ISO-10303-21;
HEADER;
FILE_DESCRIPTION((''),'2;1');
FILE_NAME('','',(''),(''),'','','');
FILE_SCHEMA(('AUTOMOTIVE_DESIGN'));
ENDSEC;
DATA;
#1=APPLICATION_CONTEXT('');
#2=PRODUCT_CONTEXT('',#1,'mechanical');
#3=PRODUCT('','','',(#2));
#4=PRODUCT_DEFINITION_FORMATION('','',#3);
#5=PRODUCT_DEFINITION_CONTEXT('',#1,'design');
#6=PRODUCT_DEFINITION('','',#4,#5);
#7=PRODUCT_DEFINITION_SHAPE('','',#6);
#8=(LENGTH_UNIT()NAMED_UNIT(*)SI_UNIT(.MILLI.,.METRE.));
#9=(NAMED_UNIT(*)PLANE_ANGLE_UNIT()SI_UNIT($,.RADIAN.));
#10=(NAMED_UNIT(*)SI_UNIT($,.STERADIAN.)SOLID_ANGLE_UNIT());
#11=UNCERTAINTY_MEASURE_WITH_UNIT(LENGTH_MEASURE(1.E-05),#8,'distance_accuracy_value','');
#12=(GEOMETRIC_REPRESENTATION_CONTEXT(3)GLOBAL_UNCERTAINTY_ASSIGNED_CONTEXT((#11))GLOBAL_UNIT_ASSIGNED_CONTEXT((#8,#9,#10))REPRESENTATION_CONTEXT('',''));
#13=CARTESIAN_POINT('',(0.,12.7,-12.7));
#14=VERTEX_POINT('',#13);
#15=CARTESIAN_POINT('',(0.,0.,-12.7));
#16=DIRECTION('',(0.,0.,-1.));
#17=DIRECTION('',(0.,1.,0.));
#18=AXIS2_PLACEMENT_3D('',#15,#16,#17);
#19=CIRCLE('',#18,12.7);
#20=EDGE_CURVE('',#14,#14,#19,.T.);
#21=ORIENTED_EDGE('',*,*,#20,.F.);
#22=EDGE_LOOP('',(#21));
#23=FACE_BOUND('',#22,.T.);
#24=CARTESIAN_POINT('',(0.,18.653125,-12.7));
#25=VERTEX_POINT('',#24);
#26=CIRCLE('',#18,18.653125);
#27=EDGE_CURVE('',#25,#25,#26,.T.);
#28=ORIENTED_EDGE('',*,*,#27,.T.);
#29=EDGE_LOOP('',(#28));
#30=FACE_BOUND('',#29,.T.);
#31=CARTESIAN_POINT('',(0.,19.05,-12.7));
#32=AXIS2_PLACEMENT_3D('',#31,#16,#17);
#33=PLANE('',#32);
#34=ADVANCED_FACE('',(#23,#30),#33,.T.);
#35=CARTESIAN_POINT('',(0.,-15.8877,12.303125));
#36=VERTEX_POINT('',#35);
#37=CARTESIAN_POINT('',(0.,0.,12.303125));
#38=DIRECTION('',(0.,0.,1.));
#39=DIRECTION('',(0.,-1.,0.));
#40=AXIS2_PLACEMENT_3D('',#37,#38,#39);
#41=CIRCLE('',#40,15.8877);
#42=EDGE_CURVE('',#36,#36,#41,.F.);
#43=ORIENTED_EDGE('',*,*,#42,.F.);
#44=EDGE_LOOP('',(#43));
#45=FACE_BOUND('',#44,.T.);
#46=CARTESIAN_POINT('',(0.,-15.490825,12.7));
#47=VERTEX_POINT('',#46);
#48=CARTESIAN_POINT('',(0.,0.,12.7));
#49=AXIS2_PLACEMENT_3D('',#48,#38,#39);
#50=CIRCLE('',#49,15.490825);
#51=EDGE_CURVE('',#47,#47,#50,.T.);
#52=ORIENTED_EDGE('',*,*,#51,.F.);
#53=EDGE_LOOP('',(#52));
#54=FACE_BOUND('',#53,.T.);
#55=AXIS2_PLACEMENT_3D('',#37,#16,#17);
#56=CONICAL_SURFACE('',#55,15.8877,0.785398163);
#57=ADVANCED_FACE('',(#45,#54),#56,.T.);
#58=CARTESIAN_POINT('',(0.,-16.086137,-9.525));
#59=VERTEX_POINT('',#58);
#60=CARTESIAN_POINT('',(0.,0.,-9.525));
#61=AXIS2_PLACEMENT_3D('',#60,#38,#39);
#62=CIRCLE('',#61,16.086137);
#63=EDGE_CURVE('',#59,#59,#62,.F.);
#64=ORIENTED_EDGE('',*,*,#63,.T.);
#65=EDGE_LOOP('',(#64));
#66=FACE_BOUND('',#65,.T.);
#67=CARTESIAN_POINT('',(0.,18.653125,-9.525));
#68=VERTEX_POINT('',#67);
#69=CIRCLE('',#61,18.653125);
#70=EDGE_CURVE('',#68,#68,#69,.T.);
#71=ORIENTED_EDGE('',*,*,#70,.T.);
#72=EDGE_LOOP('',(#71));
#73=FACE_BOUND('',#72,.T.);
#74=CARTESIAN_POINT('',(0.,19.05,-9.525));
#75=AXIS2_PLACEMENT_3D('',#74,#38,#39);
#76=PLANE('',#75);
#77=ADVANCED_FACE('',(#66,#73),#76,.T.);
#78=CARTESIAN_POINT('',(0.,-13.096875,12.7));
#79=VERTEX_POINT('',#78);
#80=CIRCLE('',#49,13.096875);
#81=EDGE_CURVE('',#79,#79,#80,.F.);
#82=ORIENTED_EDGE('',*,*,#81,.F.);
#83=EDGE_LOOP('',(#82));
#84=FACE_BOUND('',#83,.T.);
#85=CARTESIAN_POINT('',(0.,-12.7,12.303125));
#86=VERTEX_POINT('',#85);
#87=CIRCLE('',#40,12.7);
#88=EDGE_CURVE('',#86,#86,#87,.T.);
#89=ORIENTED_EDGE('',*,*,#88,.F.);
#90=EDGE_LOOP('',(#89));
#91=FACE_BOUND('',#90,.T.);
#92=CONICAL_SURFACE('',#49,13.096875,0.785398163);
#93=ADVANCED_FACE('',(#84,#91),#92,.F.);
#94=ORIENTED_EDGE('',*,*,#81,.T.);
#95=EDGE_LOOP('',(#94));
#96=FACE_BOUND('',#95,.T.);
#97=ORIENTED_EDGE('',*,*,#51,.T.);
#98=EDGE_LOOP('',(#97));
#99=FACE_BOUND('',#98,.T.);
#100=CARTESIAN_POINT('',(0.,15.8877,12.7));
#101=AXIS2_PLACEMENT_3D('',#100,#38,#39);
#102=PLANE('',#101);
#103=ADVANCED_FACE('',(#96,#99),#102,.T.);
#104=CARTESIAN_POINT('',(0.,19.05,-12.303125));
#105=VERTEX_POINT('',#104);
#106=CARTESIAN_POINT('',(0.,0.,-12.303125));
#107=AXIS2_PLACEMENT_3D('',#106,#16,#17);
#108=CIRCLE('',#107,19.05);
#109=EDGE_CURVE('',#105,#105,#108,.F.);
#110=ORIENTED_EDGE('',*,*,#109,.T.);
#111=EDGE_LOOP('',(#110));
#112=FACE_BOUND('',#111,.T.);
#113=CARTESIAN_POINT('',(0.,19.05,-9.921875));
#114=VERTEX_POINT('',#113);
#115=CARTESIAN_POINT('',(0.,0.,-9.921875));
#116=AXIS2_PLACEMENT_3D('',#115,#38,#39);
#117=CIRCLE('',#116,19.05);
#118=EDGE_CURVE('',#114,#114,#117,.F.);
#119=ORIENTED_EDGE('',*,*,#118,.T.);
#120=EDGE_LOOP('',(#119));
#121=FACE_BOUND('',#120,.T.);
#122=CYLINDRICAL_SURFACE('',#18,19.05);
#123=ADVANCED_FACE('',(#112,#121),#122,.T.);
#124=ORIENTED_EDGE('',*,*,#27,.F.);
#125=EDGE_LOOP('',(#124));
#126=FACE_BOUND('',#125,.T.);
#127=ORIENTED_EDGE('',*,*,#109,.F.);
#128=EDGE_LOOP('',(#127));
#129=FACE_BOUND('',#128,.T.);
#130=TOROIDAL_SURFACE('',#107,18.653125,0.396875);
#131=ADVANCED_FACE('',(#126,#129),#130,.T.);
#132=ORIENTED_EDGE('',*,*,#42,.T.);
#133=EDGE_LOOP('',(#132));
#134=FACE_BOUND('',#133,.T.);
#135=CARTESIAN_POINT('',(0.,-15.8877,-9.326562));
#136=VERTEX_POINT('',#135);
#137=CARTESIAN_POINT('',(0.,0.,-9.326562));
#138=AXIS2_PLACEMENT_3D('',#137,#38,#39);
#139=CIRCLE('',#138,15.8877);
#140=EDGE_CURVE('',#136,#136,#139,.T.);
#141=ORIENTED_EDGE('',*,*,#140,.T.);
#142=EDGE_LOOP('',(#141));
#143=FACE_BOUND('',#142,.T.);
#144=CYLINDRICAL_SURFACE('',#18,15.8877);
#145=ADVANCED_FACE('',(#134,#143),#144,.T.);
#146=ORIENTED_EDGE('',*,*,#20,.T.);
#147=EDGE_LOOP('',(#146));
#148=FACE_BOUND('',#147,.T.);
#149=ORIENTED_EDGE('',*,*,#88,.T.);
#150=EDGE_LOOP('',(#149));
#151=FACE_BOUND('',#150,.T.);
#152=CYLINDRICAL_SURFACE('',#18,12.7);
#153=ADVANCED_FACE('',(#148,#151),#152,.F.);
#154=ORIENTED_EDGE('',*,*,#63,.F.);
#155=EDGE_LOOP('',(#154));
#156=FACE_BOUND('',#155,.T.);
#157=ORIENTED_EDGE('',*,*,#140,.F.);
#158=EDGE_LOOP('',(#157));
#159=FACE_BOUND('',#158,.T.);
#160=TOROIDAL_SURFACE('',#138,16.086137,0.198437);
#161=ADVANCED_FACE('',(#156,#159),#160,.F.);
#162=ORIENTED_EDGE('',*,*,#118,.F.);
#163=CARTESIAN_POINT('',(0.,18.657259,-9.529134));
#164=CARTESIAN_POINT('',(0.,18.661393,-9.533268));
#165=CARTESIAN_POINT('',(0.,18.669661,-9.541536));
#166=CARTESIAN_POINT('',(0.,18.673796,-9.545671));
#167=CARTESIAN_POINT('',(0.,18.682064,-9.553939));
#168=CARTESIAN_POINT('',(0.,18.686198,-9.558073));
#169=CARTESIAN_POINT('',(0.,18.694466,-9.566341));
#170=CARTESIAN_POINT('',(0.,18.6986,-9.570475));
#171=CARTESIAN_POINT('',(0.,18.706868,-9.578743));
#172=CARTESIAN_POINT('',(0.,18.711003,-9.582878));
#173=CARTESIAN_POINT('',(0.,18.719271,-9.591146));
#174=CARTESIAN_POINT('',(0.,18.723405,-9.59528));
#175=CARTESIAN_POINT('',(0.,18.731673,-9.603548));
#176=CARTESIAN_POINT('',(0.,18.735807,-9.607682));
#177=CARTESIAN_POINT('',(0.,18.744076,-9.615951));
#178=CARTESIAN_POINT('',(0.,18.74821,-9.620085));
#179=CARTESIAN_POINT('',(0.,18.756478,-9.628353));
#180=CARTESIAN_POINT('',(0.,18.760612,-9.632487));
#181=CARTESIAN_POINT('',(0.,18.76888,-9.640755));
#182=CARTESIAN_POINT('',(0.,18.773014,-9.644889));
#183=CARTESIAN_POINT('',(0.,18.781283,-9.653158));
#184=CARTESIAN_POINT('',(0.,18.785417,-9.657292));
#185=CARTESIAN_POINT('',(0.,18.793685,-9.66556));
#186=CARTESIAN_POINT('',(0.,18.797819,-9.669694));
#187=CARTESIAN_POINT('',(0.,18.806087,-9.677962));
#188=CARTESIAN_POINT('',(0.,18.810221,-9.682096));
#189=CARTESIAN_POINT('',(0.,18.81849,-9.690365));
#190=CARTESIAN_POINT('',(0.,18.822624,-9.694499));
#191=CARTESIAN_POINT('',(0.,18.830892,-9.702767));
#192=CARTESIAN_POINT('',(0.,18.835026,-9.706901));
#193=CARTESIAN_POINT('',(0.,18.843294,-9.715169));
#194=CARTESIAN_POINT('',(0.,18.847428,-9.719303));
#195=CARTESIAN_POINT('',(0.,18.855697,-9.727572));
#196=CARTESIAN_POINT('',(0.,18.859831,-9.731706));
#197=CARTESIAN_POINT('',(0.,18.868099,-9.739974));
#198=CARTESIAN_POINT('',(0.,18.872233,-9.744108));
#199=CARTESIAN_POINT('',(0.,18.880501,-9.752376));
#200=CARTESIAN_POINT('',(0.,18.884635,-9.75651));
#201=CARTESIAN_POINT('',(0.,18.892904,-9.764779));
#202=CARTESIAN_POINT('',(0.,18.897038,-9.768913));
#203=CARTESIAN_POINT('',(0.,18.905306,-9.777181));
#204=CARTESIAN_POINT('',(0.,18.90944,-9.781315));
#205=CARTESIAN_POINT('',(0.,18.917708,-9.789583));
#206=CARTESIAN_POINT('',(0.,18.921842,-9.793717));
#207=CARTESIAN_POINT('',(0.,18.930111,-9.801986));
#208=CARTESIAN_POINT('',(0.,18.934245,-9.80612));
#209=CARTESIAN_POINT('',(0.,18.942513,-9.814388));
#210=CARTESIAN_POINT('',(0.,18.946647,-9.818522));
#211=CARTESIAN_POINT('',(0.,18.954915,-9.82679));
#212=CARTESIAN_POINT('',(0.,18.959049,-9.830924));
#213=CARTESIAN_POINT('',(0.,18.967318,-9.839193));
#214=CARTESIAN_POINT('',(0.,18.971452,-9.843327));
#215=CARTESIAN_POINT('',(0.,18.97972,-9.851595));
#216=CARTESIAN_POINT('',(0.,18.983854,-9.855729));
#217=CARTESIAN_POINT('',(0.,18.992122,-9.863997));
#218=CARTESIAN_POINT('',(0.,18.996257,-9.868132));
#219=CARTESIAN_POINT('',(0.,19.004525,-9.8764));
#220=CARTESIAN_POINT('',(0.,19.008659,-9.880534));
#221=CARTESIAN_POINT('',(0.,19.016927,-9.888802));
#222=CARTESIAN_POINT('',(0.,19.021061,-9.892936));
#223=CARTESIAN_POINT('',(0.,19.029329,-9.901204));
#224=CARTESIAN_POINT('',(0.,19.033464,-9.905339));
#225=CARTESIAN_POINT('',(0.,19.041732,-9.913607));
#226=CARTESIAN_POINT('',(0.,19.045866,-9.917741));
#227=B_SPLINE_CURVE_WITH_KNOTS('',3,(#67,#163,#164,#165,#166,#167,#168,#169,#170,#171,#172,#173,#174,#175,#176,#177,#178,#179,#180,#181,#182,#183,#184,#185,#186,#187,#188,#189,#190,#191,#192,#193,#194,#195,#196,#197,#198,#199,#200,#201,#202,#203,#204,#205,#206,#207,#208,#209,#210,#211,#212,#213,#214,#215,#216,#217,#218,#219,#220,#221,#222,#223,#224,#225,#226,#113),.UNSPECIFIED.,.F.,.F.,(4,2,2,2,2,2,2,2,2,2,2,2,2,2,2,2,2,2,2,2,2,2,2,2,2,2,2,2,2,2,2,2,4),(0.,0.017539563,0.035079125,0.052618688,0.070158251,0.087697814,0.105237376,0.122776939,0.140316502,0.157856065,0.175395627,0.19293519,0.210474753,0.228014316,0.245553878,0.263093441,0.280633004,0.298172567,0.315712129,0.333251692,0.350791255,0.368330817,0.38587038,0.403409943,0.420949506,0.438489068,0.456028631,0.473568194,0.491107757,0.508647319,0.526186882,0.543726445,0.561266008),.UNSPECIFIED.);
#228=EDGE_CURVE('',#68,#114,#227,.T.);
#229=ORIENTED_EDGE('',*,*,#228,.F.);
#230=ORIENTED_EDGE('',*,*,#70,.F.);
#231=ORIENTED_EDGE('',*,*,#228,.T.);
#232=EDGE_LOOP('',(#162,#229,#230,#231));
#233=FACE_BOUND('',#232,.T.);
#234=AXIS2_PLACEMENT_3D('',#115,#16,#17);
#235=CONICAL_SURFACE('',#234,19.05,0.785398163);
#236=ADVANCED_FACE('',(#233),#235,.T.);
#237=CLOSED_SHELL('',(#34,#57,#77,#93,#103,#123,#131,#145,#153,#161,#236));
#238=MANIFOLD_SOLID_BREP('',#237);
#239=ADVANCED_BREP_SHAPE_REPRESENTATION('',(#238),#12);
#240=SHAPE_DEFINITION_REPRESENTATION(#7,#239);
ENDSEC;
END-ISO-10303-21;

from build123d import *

# Parameters (mm, degrees)
CHAMFER1_SIZE = 0.396875
FILLET1_R     = 0.396875
FILLET2_R     = 0.1984375


with BuildPart() as part:
    # Sketch3 → Revolve1 (revolve)
    with BuildSketch(Plane(origin=(0, 0, 0), x_dir=(0, 0, -1), z_dir=(1, 0, 0))):
        Polygon((12.7, 19.05), (9.525, 19.05), (9.525, 15.8877), (-12.7, 15.8877), (-12.7, 12.7), (12.7, 12.7), align=None)
    revolve(axis=Axis((0, 0, -12.7), (0, 0, 1)))

    # Chamfer1
    chamfer1_edges = [part.edges().sort_by_distance(p)[0] for p in [
        (0, -12.7, 12.7),
        (0, -15.8877, 12.7),
        (0, -19.05, -9.525),
    ]]
    chamfer(chamfer1_edges, length=CHAMFER1_SIZE)

    # Fillet1
    fillet1_edges = [part.edges().sort_by_distance(p)[0] for p in [
        (0, -19.05, -12.7),
    ]]
    fillet(fillet1_edges, radius=FILLET1_R)

    # Fillet2
    fillet2_edges = [part.edges().sort_by_distance(p)[0] for p in [
        (0, -15.8877, -9.525),
    ]]
    fillet(fillet2_edges, radius=FILLET2_R)


solid = part.part
